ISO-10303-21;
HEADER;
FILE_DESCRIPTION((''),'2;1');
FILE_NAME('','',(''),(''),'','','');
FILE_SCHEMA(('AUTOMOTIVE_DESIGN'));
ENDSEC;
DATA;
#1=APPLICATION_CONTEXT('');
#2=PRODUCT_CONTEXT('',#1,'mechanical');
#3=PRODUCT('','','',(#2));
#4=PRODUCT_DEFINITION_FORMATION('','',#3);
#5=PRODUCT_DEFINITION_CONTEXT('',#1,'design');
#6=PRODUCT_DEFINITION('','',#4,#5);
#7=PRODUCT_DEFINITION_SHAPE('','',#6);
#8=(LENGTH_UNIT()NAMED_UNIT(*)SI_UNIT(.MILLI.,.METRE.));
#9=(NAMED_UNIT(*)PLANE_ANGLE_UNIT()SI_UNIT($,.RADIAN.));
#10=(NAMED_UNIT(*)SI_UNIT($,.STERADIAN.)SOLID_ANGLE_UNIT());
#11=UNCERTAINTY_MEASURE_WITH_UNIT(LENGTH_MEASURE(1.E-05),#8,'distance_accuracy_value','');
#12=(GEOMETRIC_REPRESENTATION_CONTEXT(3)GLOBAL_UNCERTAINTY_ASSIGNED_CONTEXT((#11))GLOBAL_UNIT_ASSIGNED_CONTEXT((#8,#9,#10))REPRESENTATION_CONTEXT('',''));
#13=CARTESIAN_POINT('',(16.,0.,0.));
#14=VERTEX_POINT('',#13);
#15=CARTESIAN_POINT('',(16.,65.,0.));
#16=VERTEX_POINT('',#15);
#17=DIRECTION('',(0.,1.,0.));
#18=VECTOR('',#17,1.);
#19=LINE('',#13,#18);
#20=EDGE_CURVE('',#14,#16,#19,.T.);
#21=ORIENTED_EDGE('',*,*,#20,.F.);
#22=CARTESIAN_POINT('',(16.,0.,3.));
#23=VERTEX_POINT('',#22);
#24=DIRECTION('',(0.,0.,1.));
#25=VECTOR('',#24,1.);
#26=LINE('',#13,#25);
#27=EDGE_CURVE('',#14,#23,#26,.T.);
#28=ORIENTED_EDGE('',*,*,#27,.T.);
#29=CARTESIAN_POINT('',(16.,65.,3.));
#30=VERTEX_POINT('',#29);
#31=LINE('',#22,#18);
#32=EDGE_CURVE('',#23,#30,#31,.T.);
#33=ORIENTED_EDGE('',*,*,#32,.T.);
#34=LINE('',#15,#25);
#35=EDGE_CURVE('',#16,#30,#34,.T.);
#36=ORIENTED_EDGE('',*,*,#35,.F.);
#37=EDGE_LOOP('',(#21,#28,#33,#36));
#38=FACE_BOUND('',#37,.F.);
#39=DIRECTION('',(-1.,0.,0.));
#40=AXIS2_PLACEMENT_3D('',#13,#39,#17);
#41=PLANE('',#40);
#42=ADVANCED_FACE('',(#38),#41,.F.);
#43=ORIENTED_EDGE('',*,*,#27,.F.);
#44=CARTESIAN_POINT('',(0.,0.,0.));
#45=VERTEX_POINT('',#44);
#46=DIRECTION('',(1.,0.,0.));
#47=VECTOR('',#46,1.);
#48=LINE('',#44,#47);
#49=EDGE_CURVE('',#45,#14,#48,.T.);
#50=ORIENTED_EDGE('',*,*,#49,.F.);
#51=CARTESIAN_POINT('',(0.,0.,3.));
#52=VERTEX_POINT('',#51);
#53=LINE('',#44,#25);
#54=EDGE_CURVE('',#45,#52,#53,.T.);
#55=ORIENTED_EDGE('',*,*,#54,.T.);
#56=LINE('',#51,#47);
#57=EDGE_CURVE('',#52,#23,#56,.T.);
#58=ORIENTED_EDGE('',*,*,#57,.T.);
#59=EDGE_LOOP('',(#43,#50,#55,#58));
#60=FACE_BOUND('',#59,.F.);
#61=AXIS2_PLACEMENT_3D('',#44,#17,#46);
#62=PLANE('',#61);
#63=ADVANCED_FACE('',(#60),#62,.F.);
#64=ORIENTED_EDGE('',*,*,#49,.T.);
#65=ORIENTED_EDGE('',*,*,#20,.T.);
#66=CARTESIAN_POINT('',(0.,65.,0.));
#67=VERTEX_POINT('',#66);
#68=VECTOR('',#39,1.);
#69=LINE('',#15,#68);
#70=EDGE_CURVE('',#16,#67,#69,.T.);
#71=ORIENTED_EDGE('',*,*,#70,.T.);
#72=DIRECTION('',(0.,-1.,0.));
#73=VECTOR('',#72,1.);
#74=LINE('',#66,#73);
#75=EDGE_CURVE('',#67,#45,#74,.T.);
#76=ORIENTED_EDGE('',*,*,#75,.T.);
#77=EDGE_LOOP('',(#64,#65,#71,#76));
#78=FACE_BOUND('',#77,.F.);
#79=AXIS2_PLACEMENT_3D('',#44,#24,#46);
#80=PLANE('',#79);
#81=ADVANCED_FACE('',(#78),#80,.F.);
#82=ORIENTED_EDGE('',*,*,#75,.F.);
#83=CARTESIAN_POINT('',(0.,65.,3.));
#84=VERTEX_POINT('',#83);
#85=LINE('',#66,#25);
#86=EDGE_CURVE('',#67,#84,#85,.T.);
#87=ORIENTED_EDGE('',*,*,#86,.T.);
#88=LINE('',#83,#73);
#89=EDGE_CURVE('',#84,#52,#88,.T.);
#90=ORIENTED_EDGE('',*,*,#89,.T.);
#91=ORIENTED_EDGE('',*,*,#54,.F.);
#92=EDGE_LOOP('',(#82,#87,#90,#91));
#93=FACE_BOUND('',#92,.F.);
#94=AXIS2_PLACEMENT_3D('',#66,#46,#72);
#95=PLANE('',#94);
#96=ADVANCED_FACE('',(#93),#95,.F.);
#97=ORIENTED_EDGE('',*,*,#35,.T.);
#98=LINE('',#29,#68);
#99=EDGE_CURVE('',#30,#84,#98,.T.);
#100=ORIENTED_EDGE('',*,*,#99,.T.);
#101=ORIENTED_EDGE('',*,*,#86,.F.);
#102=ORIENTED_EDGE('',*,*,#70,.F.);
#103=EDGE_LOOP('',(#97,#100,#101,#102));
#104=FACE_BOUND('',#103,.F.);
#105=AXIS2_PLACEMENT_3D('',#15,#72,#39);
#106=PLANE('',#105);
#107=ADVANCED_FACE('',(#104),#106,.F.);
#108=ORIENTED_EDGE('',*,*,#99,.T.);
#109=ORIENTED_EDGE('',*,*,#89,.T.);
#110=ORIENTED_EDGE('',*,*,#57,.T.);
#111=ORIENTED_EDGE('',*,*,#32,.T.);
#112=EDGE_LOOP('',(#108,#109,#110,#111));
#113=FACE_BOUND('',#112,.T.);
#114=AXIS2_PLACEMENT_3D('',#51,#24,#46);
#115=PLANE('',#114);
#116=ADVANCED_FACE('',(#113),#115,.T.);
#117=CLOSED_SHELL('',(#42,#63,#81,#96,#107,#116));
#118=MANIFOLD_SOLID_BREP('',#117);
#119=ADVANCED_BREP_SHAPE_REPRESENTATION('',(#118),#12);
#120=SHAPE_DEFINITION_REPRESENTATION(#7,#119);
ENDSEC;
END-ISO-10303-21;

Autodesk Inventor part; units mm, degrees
ref_plane "YZ Plane" through (0, 0, 0) normal (1, 0, 0) x (0, 1, 0)
ref_plane "XZ Plane" through (0, 0, 0) normal (0, 1, 0) x (-1, 0, 0)
ref_plane "XY Plane" through (0, 0, 0) normal (0, 0, 1) x (1, 0, 0)
sketch "Sketch3" plane through (0, 0, 0) normal (0, 0, 1) x (1, 0, 0)
  line L0 (0, 0) -> (16, 0)
  line L1 (16, 0) -> (16, 65)
  line L2 (16, 65) -> (0, 65)
  line L3 (0, 65) -> (0, 0)
  dimension "d0" = 16
  dimension "d1" = 65
  dimension "d2" = 16
extrude "Extrusion1" add sketch "Sketch3" along normal blind 3
properties part number "carcasa_piezasRadio_3.0"
